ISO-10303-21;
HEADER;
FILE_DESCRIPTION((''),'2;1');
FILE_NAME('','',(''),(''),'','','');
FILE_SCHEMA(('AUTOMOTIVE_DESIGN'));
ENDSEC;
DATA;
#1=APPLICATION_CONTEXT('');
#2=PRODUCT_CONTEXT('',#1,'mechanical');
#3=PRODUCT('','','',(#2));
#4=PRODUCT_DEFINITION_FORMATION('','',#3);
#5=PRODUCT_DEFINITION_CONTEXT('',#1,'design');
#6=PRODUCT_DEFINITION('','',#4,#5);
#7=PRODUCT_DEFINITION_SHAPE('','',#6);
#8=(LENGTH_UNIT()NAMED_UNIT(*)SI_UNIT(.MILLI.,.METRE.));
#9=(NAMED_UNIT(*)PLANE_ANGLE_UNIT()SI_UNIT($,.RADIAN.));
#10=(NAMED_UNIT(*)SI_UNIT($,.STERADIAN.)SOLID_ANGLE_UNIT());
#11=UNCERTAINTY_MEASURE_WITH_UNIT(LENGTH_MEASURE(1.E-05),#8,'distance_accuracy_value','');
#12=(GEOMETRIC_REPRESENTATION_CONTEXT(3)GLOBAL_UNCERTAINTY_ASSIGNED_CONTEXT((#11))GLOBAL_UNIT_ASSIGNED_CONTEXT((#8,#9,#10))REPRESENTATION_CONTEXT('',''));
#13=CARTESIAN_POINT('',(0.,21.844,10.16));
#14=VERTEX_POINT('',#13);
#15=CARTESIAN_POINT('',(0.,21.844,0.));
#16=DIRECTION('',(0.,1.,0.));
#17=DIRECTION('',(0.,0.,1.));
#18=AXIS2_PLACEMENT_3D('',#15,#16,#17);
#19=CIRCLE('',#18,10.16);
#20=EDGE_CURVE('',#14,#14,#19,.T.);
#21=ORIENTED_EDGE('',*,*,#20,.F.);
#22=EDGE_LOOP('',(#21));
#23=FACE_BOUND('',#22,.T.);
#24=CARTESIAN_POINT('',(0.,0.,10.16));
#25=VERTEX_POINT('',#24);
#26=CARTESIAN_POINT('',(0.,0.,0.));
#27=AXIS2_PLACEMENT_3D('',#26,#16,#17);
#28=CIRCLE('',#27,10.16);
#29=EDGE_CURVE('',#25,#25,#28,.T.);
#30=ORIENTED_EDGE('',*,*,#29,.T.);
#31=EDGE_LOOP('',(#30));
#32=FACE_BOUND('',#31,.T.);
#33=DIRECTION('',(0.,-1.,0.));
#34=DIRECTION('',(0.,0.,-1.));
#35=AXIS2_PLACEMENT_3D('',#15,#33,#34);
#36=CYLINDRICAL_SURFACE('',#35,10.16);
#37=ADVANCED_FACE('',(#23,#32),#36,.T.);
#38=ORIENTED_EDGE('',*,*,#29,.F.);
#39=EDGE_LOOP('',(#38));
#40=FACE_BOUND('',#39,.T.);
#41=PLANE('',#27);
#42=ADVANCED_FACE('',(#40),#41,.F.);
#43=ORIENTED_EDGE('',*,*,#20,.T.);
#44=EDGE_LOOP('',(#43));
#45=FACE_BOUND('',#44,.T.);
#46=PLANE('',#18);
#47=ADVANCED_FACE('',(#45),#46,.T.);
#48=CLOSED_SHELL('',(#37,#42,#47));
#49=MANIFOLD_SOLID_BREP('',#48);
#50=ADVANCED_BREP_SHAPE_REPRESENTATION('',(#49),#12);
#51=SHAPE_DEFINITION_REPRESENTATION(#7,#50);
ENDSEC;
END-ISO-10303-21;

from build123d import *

# Parameters (mm, degrees)
SKETCH1_R           = 10.16
BOSS_EXTRUDE1_DEPTH = 21.844


with BuildPart() as part:
    # Sketch1 → Boss-Extrude1 (new body)
    with BuildSketch(Plane(origin=(0, 0, 0), x_dir=(1, 0, 0), z_dir=(0, 1, 0))):
        with Locations(Location((0, 0, 0), (0, 0, 270))):
            Circle(SKETCH1_R)
    extrude(amount=BOSS_EXTRUDE1_DEPTH)


solid = part.part
